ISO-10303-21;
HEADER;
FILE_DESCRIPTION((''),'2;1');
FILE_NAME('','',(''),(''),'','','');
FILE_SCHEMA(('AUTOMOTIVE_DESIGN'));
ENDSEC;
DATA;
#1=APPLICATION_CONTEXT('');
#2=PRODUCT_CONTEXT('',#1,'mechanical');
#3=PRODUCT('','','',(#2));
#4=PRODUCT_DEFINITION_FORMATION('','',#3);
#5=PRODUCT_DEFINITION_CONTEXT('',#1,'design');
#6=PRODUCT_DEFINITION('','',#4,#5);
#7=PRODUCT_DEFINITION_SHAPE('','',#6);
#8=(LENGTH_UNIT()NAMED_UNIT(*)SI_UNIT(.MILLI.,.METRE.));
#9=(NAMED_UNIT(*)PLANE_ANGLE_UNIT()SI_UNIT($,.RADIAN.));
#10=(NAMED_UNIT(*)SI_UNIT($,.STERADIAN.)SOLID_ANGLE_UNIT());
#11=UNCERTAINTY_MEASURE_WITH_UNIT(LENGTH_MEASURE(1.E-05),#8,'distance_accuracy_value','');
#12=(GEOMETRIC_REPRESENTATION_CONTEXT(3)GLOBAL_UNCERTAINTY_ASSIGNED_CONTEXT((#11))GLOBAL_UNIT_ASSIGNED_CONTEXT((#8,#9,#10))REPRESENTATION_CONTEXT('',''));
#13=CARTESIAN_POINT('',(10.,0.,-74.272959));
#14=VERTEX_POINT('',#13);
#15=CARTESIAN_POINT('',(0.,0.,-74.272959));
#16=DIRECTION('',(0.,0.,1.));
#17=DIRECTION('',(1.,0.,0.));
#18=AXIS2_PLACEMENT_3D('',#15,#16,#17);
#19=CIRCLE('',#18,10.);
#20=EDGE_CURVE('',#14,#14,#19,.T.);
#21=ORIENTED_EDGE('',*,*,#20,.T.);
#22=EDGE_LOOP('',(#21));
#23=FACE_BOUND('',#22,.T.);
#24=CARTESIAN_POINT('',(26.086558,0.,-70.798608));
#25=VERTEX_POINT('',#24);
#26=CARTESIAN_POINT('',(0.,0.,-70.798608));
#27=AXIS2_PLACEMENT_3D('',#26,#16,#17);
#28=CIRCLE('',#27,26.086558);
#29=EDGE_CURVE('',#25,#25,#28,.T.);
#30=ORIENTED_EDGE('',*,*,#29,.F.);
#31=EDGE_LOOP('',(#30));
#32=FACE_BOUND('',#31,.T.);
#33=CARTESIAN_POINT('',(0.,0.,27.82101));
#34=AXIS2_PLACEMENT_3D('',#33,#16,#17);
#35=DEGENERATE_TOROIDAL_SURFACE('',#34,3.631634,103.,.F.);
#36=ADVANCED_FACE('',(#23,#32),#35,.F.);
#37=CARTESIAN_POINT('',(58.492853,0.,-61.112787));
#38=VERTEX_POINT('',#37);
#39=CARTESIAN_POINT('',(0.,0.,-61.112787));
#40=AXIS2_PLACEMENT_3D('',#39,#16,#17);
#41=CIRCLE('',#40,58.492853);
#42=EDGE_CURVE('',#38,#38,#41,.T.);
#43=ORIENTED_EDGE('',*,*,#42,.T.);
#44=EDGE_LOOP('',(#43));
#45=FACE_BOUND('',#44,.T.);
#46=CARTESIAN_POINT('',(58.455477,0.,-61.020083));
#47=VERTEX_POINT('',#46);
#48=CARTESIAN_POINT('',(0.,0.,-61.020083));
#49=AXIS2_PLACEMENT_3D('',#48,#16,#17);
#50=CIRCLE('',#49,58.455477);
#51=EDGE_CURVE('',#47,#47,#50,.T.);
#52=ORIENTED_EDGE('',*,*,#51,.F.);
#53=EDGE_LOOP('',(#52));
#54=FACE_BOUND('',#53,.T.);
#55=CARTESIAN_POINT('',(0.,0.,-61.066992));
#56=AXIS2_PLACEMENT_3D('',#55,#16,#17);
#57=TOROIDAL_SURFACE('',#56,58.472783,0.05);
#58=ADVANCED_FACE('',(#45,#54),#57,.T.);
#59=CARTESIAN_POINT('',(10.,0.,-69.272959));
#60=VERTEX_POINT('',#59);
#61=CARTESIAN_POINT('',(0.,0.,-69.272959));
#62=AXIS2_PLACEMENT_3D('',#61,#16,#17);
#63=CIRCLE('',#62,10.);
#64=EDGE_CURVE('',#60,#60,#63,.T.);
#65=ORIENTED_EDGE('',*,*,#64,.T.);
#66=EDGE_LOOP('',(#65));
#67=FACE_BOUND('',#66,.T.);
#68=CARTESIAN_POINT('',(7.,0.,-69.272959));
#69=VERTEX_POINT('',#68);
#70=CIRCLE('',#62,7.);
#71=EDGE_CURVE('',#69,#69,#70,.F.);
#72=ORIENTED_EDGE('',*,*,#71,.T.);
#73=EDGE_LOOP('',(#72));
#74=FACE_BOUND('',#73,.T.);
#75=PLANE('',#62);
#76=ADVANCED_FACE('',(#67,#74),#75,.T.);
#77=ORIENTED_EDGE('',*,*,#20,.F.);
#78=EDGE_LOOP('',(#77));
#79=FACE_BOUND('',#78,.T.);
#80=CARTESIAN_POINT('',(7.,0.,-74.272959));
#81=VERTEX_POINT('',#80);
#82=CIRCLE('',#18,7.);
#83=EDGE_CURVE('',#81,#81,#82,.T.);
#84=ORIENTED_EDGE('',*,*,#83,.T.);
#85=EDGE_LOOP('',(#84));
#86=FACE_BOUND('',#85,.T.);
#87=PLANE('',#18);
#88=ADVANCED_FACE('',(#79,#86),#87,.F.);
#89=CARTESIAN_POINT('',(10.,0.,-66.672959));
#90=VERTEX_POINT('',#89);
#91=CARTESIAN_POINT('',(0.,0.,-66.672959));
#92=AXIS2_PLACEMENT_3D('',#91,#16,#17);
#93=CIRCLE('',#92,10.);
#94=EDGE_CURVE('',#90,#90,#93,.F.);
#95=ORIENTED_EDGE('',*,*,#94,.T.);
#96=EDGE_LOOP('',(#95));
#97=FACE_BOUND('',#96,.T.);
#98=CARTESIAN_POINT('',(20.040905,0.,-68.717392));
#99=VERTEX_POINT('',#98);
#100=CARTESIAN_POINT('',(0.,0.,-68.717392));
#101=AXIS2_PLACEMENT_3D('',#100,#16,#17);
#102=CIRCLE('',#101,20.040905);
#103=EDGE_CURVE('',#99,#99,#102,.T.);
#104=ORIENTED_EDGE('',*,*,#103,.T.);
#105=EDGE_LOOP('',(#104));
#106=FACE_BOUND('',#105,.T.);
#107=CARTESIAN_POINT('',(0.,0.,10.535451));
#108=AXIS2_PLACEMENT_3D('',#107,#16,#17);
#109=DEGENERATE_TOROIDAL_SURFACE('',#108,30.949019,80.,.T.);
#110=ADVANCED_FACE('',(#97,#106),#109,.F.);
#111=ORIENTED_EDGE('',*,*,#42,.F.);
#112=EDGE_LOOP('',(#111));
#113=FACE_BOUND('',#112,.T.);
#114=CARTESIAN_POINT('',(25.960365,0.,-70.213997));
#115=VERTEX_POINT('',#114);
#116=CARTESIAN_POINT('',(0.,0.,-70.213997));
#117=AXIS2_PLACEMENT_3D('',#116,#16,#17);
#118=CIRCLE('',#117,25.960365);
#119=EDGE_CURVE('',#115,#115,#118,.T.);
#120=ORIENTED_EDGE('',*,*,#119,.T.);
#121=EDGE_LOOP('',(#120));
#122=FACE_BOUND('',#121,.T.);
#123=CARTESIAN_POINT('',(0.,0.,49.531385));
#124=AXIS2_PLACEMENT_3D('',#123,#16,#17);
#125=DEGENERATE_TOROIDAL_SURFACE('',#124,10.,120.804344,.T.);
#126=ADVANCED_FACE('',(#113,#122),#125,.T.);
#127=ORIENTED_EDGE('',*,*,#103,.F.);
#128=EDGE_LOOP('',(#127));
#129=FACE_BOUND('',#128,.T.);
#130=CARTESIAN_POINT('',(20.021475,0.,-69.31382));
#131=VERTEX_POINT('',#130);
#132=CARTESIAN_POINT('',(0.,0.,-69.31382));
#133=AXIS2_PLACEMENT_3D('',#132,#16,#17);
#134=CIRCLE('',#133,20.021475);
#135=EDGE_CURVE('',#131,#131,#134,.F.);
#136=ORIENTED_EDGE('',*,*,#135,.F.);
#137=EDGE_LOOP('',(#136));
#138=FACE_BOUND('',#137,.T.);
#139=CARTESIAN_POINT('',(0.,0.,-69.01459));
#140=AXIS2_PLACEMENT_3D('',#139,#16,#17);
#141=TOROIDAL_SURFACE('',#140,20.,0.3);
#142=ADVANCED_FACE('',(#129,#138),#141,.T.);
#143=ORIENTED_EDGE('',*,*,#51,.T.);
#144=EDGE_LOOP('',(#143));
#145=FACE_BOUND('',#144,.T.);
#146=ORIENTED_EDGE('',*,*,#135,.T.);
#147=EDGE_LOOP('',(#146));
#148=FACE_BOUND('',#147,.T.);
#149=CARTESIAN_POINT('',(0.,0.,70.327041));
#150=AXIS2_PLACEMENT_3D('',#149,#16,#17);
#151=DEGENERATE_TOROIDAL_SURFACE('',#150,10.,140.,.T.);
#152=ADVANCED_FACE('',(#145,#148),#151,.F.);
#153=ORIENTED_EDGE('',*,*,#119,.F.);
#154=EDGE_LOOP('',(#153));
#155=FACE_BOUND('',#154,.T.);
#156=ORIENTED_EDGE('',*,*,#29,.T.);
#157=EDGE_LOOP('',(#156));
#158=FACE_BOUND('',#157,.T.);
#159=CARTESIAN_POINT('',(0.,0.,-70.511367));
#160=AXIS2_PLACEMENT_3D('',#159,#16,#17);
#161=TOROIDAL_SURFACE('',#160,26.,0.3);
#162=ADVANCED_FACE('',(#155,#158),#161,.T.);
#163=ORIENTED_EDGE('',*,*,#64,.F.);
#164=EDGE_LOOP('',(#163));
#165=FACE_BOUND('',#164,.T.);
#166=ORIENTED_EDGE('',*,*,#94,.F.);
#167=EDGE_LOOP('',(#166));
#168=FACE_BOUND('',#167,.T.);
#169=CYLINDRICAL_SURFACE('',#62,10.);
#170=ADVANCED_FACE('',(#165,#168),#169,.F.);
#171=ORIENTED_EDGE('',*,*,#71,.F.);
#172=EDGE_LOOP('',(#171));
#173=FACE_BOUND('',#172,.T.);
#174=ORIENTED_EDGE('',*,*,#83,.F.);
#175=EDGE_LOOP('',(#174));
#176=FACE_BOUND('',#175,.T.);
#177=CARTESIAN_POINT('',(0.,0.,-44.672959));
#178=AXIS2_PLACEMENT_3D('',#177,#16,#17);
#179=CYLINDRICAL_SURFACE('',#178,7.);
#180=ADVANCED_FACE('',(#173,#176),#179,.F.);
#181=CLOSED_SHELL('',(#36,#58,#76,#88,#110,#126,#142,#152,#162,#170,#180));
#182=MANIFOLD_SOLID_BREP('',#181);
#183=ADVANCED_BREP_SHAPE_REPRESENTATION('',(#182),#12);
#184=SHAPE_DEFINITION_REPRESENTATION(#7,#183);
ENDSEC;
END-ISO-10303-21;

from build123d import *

# Parameters (mm, degrees)
SCALE2_SCALE       = 0.2
SKETCH3_R          = 10
CUT_EXTRUDE1_DEPTH = 65


with BuildPart() as part:
    # Sketch2 → Revolve1 (revolve)
    with BuildSketch(Plane(origin=(0, 0, 0), x_dir=(0, 0, -1), z_dir=(1, 0, 0))):
        with BuildLine():
            Line((-202, 35), (148, 35))
            Line((148, 35), (148, 50))
            ThreePointArc((148, 50), (140.923150734, 90.563910211), (130.62824445, 130.432789199))
            ThreePointArc((130.62824445, 130.432789199), (128.875539156, 131.466229683), (127.70518532, 129.801823789))
            ThreePointArc((127.70518532, 129.801823789), (131.674842705, 89.988642583), (133, 50))
            Line((133, 50), (125, 50))
            ThreePointArc((125, 50), (124.550932144, 75.069769368), (123.204304754, 100.107372942))
            ThreePointArc((123.204304754, 100.107372942), (121.756994731, 101.499204607), (120.222161873, 100.204527125))
            ThreePointArc((120.222161873, 100.204527125), (115.915722567, 74.93843019), (110, 50))
            Line((110, 50), (-202, 50))
            Line((-202, 50), (-202, 35))
        make_face()
    revolve(axis=Axis((0, 0, 0), (0, 0, -1)))

    # Sketch2<4> → Revolve4 (revolve)
    with BuildSketch(Plane(origin=(0, 0, 0), x_dir=(0, 0, -1), z_dir=(1, 0, 0))):
        with BuildLine():
            Line((125, 50), (133, 50))
            ThreePointArc((133, 50), (131.674842705, 89.988642583), (127.70518532, 129.801823789))
            ThreePointArc((127.70518532, 129.801823789), (110.66606555, 212.731553131), (82.199137845, 292.464266858))
            ThreePointArc((82.199137845, 292.464266858), (81.876681496, 292.595776997), (81.735615501, 292.277385103))
            ThreePointArc((81.735615501, 292.277385103), (109.249863185, 197.655425675), (123.204304754, 100.107372942))
            ThreePointArc((123.204304754, 100.107372942), (124.550932144, 75.069769368), (125, 50))
        make_face()
    revolve(axis=Axis((0, 0, 0), (0, 0, -1)))


with BuildPart() as part_1:
    # Scale2: scaled about (0, 0, -55.841199315)
    add(part.part.scale(SCALE2_SCALE).moved(Location((0, 0, -44.672959452))))

    # Sketch3 → Cut-Extrude1 (cut)
    with BuildSketch(Plane.XY.offset(-4.272959452)):
        Circle(SKETCH3_R)
    extrude(amount=-CUT_EXTRUDE1_DEPTH, mode=Mode.SUBTRACT)


solid = part_1.part
